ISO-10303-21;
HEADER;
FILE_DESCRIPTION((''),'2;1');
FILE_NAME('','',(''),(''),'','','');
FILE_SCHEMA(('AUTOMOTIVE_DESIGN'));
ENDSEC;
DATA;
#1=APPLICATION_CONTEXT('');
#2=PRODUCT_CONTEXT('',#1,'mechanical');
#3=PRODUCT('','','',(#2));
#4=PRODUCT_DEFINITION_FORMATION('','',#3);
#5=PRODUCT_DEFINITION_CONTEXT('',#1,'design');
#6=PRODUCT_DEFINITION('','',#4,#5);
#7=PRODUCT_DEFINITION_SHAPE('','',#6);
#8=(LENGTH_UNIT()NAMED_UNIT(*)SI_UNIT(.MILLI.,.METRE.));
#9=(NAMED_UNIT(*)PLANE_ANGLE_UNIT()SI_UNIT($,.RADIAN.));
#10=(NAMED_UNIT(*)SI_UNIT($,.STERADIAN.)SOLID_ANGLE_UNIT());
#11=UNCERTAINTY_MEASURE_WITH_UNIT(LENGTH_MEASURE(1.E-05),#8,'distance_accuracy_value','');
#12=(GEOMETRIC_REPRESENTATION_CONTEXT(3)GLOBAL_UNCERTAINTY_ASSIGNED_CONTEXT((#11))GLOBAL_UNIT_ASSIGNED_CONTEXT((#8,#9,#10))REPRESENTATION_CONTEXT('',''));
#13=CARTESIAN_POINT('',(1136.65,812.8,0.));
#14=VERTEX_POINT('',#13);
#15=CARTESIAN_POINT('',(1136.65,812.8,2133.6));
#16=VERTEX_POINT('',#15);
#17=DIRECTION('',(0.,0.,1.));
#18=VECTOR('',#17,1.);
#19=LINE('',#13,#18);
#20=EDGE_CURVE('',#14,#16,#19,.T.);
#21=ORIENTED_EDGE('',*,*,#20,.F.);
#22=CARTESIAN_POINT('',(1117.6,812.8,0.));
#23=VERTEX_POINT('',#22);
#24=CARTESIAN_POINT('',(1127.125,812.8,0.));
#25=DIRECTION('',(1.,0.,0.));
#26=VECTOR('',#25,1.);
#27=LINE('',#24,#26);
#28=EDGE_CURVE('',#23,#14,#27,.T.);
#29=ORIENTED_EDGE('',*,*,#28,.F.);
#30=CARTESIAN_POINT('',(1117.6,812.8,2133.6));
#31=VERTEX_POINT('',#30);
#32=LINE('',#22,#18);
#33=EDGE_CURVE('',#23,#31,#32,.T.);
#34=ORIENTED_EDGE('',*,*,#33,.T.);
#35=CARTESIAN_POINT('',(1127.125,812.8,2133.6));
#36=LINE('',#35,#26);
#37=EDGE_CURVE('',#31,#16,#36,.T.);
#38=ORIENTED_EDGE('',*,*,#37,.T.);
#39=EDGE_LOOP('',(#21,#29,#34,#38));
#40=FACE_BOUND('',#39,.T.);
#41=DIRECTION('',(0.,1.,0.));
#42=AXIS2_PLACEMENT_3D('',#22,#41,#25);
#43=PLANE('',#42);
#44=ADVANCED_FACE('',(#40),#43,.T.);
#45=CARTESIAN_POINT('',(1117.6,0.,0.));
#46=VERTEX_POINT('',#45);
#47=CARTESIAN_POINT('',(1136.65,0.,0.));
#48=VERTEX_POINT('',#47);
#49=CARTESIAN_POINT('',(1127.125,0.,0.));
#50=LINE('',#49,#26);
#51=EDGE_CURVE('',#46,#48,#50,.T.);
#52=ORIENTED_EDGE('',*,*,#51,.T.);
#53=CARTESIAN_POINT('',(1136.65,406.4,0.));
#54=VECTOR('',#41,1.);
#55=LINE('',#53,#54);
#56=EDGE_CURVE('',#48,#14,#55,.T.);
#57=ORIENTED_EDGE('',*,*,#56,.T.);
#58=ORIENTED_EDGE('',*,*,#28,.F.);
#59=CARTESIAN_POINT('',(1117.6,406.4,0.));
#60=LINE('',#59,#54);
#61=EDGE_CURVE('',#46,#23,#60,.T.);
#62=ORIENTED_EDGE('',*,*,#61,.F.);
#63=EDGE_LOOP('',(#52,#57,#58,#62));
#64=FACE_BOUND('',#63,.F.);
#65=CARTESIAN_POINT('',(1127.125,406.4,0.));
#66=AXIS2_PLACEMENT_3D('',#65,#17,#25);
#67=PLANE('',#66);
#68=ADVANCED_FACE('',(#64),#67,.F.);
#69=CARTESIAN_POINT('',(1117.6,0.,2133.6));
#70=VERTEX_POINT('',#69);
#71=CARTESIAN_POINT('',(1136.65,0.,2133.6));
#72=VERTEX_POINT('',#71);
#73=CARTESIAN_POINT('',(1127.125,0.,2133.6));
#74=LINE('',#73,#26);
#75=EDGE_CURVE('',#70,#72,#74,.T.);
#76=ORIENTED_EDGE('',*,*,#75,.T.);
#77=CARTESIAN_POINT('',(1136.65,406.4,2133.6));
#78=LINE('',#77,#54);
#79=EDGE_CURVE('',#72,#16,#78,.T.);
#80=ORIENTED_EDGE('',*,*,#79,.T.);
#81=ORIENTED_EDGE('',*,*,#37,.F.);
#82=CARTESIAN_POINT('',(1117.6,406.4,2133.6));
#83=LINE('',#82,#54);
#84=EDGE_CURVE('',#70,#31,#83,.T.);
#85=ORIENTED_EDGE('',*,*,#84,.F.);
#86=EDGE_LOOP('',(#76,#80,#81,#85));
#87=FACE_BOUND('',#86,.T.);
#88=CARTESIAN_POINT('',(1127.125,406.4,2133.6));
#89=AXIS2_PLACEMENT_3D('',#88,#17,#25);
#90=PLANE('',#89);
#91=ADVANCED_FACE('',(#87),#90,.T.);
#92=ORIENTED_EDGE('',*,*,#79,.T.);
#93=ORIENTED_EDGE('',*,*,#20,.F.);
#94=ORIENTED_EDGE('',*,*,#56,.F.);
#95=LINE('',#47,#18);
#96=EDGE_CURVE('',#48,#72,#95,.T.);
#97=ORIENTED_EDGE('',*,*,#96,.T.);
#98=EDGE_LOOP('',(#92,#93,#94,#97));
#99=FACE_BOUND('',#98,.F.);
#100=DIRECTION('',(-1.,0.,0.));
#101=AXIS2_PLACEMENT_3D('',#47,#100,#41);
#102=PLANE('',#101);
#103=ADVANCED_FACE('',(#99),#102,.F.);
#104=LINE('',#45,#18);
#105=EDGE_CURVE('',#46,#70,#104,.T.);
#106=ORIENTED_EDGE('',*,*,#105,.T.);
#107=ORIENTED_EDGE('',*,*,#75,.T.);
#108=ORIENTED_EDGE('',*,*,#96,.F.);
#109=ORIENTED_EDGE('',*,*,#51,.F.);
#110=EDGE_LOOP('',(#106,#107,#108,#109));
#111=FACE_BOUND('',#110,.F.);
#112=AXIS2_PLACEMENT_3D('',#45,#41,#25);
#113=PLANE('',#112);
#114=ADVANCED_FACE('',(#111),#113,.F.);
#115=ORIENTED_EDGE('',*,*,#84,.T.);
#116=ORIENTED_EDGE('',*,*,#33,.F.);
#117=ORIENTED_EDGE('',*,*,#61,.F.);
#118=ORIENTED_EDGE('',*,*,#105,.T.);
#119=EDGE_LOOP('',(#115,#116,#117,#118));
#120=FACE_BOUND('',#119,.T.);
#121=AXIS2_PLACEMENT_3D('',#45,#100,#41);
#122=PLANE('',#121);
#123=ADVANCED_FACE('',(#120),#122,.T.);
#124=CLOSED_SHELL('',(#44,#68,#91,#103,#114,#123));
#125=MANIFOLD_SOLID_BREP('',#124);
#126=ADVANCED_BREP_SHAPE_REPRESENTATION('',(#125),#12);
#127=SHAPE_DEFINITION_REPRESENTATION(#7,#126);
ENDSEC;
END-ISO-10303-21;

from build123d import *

# Parameters (mm, degrees)
F3_W     = 19.05
F3_H     = 812.8
F4_DEPTH = 2133.6


with BuildPart() as f4:
    # F3 (on face) → F4 (new body)
    with BuildSketch(Plane.XY):
        with Locations((1127.125, 406.4)):
            Rectangle(F3_W, F3_H)
    extrude(amount=F4_DEPTH)


solid = f4.part
